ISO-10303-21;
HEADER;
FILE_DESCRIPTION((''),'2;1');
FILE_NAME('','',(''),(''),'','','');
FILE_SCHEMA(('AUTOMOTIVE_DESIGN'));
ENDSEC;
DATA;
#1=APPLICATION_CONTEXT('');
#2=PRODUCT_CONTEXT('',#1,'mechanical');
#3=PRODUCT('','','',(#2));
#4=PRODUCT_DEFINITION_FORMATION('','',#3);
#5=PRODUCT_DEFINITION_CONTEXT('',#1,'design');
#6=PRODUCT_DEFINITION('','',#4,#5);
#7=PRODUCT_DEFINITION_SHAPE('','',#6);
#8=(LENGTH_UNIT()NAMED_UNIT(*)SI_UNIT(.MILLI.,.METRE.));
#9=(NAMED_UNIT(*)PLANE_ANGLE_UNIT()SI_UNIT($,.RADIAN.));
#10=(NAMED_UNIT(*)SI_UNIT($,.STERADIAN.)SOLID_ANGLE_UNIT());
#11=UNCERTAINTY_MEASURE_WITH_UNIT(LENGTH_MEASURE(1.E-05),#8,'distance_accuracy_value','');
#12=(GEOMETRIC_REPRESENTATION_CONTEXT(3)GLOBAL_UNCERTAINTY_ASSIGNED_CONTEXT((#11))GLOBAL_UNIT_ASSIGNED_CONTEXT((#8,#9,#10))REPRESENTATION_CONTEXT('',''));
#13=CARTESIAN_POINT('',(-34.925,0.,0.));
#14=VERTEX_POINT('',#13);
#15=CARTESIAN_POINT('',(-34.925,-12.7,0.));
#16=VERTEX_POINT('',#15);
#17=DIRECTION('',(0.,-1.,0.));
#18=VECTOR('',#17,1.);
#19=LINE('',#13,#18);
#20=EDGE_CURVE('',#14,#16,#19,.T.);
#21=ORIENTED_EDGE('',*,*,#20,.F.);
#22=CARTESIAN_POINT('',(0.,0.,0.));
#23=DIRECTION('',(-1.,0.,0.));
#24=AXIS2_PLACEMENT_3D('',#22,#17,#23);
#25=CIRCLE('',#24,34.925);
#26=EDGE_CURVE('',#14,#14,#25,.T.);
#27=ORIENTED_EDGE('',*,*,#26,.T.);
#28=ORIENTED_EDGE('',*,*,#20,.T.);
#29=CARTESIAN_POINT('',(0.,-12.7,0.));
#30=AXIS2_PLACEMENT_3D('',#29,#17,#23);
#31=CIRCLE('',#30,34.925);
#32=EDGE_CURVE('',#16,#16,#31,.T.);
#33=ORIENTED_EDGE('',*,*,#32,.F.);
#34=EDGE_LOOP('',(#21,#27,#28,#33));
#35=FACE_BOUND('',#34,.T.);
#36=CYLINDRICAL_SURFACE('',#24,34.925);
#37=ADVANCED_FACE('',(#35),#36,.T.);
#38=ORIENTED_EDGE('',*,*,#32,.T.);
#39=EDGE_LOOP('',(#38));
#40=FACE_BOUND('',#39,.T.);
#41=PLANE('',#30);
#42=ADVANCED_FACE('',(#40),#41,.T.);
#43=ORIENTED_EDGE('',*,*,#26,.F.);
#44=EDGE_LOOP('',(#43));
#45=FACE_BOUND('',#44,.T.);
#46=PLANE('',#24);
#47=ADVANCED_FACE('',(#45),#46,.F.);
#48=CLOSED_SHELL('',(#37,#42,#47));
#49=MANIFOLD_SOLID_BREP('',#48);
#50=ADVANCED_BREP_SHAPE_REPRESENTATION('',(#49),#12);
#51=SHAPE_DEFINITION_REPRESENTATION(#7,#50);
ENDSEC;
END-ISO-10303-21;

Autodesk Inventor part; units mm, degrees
ref_plane "YZ Plane" through (0, 0, 0) normal (1, 0, 0) x (0, 1, 0)
ref_plane "XZ Plane" through (0, 0, 0) normal (0, 1, 0) x (-1, 0, 0)
ref_plane "XY Plane" through (0, 0, 0) normal (0, 0, 1) x (1, 0, 0)
sketch "Sketch1" plane through (0, 0, 0) normal (0, 0, 1) x (1, 0, 0)
  line L0 (-34.925, -12.7) -> (0, -12.7)
  line L1 (0, -12.7) -> (0, 0)
  line L2 (0, 0) -> (-34.925, 0)
  line L3 (-34.925, 0) -> (-34.925, -12.7)
  line L4 (-34.925, 0) -> (0, 0)
  line L5 (0, 0) -> (0, -12.7)
  dimension "d0" = 34.925
  dimension "d1" = 12.7
revolve "Revolution1" add sketch "Sketch1" angle 360 about axis through (0, 0, 0) along (0, -1, 0)
properties part number "CF Insert Flange Support 02"
